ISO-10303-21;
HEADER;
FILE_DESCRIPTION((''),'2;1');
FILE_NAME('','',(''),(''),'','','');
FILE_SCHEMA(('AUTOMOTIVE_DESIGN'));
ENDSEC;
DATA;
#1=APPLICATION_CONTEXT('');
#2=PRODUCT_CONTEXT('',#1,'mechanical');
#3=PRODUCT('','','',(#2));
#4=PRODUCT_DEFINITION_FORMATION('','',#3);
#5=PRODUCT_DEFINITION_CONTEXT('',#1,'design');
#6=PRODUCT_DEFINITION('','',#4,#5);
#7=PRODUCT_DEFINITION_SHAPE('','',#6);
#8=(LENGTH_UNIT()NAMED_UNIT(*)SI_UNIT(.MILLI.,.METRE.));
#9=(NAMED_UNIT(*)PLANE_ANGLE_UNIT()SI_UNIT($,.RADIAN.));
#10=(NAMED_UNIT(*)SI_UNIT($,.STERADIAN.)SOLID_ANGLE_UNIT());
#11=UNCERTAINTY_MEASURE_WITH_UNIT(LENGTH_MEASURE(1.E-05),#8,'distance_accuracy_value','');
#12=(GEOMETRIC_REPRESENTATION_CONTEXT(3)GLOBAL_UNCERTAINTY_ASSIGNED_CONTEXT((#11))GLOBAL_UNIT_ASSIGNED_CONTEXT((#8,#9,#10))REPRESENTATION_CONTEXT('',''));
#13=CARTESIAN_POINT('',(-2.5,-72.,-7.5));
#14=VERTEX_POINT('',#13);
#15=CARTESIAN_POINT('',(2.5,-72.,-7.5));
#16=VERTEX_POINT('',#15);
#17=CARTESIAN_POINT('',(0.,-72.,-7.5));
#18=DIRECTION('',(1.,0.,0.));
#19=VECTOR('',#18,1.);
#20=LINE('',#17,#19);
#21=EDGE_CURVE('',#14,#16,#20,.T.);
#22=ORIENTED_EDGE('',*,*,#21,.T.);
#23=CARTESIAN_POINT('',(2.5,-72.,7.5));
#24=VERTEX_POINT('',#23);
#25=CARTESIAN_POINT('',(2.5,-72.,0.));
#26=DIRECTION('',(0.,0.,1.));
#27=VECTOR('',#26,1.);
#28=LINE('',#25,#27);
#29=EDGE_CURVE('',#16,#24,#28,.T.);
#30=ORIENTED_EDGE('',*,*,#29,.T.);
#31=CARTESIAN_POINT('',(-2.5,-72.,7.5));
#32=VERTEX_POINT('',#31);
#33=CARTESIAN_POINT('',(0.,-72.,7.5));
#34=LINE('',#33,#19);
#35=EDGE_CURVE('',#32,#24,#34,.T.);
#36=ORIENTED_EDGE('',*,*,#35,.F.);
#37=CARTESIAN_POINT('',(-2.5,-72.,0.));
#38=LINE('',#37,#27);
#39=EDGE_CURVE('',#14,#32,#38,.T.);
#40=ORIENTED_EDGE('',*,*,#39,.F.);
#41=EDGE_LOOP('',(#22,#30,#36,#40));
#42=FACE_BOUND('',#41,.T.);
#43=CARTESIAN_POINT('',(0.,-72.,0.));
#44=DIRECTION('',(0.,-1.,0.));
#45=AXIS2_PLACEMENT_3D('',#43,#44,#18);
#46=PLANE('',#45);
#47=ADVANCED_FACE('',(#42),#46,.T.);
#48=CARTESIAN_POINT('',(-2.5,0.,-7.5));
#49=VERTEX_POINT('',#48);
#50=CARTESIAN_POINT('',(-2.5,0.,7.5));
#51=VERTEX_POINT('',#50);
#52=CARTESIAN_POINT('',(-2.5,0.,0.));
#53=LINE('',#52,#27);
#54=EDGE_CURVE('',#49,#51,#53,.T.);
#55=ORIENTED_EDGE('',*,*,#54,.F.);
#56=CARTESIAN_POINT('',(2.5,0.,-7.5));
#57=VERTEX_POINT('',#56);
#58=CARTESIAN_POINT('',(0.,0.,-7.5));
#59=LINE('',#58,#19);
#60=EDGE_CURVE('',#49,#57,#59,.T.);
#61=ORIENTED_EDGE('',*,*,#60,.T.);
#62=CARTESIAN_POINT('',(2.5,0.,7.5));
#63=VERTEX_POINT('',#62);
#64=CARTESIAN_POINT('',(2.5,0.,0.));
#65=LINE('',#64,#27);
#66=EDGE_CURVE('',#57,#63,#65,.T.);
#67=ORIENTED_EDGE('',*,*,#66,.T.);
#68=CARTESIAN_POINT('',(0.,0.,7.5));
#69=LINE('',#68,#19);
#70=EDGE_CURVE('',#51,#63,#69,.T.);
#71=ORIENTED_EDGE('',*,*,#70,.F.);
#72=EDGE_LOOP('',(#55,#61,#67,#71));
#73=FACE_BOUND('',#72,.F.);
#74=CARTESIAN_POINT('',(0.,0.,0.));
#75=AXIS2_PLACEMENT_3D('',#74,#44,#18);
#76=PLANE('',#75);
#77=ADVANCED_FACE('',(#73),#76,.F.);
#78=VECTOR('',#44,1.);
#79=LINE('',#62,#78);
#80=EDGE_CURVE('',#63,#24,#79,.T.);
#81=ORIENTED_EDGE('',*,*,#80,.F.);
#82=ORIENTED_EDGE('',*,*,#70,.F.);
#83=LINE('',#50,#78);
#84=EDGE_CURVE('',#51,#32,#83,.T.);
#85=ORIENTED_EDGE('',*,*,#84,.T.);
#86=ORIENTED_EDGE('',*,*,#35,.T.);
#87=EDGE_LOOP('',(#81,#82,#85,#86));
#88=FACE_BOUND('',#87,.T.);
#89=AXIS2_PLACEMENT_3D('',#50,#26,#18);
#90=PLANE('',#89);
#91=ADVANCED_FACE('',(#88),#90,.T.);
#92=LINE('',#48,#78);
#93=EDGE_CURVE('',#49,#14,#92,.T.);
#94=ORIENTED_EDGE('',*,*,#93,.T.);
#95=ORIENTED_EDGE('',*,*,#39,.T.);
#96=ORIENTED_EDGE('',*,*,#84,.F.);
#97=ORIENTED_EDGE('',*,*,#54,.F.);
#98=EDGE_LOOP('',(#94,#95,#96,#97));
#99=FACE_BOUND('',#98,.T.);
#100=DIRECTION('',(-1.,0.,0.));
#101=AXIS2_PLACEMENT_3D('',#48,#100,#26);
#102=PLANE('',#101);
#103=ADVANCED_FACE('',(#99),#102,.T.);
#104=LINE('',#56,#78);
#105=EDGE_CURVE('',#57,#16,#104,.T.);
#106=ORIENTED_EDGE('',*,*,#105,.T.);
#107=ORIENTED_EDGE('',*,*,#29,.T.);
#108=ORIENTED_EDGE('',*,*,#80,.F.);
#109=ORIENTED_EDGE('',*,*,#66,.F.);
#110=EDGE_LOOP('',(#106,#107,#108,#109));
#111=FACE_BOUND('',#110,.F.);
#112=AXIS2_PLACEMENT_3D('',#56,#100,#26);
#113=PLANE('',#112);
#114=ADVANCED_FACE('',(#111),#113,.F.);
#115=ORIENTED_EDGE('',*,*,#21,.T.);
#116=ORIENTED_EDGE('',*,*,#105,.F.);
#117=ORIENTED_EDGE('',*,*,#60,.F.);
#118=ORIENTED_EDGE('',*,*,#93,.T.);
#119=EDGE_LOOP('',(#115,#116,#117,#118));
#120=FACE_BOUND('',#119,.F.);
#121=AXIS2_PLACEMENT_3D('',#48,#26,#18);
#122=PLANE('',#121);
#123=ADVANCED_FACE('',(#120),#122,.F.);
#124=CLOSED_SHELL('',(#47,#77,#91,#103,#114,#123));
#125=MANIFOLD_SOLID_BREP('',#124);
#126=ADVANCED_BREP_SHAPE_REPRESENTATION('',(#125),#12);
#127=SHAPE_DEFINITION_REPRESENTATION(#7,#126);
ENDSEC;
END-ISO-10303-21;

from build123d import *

# Parameters (mm, degrees)
F0_W     = 5
F0_H     = 15
F1_DEPTH = 72
F2_DEPTH = 72
F3_DEPTH = 72


with BuildPart() as f1:
    # F0 (on Front) → F1 (new body)
    with BuildSketch(Plane.XZ):
        Rectangle(F0_W, F0_H)
    extrude(amount=F1_DEPTH)

    # F0 (on Front) → F2 (join)
    with BuildSketch(Plane.XZ):
        Rectangle(F0_W, F0_H)
    extrude(amount=F2_DEPTH)

    # F0 (on Front) → F3 (join)
    with BuildSketch(Plane.XZ):
        Rectangle(F0_W, F0_H)
    extrude(amount=F3_DEPTH)


solid = f1.part
